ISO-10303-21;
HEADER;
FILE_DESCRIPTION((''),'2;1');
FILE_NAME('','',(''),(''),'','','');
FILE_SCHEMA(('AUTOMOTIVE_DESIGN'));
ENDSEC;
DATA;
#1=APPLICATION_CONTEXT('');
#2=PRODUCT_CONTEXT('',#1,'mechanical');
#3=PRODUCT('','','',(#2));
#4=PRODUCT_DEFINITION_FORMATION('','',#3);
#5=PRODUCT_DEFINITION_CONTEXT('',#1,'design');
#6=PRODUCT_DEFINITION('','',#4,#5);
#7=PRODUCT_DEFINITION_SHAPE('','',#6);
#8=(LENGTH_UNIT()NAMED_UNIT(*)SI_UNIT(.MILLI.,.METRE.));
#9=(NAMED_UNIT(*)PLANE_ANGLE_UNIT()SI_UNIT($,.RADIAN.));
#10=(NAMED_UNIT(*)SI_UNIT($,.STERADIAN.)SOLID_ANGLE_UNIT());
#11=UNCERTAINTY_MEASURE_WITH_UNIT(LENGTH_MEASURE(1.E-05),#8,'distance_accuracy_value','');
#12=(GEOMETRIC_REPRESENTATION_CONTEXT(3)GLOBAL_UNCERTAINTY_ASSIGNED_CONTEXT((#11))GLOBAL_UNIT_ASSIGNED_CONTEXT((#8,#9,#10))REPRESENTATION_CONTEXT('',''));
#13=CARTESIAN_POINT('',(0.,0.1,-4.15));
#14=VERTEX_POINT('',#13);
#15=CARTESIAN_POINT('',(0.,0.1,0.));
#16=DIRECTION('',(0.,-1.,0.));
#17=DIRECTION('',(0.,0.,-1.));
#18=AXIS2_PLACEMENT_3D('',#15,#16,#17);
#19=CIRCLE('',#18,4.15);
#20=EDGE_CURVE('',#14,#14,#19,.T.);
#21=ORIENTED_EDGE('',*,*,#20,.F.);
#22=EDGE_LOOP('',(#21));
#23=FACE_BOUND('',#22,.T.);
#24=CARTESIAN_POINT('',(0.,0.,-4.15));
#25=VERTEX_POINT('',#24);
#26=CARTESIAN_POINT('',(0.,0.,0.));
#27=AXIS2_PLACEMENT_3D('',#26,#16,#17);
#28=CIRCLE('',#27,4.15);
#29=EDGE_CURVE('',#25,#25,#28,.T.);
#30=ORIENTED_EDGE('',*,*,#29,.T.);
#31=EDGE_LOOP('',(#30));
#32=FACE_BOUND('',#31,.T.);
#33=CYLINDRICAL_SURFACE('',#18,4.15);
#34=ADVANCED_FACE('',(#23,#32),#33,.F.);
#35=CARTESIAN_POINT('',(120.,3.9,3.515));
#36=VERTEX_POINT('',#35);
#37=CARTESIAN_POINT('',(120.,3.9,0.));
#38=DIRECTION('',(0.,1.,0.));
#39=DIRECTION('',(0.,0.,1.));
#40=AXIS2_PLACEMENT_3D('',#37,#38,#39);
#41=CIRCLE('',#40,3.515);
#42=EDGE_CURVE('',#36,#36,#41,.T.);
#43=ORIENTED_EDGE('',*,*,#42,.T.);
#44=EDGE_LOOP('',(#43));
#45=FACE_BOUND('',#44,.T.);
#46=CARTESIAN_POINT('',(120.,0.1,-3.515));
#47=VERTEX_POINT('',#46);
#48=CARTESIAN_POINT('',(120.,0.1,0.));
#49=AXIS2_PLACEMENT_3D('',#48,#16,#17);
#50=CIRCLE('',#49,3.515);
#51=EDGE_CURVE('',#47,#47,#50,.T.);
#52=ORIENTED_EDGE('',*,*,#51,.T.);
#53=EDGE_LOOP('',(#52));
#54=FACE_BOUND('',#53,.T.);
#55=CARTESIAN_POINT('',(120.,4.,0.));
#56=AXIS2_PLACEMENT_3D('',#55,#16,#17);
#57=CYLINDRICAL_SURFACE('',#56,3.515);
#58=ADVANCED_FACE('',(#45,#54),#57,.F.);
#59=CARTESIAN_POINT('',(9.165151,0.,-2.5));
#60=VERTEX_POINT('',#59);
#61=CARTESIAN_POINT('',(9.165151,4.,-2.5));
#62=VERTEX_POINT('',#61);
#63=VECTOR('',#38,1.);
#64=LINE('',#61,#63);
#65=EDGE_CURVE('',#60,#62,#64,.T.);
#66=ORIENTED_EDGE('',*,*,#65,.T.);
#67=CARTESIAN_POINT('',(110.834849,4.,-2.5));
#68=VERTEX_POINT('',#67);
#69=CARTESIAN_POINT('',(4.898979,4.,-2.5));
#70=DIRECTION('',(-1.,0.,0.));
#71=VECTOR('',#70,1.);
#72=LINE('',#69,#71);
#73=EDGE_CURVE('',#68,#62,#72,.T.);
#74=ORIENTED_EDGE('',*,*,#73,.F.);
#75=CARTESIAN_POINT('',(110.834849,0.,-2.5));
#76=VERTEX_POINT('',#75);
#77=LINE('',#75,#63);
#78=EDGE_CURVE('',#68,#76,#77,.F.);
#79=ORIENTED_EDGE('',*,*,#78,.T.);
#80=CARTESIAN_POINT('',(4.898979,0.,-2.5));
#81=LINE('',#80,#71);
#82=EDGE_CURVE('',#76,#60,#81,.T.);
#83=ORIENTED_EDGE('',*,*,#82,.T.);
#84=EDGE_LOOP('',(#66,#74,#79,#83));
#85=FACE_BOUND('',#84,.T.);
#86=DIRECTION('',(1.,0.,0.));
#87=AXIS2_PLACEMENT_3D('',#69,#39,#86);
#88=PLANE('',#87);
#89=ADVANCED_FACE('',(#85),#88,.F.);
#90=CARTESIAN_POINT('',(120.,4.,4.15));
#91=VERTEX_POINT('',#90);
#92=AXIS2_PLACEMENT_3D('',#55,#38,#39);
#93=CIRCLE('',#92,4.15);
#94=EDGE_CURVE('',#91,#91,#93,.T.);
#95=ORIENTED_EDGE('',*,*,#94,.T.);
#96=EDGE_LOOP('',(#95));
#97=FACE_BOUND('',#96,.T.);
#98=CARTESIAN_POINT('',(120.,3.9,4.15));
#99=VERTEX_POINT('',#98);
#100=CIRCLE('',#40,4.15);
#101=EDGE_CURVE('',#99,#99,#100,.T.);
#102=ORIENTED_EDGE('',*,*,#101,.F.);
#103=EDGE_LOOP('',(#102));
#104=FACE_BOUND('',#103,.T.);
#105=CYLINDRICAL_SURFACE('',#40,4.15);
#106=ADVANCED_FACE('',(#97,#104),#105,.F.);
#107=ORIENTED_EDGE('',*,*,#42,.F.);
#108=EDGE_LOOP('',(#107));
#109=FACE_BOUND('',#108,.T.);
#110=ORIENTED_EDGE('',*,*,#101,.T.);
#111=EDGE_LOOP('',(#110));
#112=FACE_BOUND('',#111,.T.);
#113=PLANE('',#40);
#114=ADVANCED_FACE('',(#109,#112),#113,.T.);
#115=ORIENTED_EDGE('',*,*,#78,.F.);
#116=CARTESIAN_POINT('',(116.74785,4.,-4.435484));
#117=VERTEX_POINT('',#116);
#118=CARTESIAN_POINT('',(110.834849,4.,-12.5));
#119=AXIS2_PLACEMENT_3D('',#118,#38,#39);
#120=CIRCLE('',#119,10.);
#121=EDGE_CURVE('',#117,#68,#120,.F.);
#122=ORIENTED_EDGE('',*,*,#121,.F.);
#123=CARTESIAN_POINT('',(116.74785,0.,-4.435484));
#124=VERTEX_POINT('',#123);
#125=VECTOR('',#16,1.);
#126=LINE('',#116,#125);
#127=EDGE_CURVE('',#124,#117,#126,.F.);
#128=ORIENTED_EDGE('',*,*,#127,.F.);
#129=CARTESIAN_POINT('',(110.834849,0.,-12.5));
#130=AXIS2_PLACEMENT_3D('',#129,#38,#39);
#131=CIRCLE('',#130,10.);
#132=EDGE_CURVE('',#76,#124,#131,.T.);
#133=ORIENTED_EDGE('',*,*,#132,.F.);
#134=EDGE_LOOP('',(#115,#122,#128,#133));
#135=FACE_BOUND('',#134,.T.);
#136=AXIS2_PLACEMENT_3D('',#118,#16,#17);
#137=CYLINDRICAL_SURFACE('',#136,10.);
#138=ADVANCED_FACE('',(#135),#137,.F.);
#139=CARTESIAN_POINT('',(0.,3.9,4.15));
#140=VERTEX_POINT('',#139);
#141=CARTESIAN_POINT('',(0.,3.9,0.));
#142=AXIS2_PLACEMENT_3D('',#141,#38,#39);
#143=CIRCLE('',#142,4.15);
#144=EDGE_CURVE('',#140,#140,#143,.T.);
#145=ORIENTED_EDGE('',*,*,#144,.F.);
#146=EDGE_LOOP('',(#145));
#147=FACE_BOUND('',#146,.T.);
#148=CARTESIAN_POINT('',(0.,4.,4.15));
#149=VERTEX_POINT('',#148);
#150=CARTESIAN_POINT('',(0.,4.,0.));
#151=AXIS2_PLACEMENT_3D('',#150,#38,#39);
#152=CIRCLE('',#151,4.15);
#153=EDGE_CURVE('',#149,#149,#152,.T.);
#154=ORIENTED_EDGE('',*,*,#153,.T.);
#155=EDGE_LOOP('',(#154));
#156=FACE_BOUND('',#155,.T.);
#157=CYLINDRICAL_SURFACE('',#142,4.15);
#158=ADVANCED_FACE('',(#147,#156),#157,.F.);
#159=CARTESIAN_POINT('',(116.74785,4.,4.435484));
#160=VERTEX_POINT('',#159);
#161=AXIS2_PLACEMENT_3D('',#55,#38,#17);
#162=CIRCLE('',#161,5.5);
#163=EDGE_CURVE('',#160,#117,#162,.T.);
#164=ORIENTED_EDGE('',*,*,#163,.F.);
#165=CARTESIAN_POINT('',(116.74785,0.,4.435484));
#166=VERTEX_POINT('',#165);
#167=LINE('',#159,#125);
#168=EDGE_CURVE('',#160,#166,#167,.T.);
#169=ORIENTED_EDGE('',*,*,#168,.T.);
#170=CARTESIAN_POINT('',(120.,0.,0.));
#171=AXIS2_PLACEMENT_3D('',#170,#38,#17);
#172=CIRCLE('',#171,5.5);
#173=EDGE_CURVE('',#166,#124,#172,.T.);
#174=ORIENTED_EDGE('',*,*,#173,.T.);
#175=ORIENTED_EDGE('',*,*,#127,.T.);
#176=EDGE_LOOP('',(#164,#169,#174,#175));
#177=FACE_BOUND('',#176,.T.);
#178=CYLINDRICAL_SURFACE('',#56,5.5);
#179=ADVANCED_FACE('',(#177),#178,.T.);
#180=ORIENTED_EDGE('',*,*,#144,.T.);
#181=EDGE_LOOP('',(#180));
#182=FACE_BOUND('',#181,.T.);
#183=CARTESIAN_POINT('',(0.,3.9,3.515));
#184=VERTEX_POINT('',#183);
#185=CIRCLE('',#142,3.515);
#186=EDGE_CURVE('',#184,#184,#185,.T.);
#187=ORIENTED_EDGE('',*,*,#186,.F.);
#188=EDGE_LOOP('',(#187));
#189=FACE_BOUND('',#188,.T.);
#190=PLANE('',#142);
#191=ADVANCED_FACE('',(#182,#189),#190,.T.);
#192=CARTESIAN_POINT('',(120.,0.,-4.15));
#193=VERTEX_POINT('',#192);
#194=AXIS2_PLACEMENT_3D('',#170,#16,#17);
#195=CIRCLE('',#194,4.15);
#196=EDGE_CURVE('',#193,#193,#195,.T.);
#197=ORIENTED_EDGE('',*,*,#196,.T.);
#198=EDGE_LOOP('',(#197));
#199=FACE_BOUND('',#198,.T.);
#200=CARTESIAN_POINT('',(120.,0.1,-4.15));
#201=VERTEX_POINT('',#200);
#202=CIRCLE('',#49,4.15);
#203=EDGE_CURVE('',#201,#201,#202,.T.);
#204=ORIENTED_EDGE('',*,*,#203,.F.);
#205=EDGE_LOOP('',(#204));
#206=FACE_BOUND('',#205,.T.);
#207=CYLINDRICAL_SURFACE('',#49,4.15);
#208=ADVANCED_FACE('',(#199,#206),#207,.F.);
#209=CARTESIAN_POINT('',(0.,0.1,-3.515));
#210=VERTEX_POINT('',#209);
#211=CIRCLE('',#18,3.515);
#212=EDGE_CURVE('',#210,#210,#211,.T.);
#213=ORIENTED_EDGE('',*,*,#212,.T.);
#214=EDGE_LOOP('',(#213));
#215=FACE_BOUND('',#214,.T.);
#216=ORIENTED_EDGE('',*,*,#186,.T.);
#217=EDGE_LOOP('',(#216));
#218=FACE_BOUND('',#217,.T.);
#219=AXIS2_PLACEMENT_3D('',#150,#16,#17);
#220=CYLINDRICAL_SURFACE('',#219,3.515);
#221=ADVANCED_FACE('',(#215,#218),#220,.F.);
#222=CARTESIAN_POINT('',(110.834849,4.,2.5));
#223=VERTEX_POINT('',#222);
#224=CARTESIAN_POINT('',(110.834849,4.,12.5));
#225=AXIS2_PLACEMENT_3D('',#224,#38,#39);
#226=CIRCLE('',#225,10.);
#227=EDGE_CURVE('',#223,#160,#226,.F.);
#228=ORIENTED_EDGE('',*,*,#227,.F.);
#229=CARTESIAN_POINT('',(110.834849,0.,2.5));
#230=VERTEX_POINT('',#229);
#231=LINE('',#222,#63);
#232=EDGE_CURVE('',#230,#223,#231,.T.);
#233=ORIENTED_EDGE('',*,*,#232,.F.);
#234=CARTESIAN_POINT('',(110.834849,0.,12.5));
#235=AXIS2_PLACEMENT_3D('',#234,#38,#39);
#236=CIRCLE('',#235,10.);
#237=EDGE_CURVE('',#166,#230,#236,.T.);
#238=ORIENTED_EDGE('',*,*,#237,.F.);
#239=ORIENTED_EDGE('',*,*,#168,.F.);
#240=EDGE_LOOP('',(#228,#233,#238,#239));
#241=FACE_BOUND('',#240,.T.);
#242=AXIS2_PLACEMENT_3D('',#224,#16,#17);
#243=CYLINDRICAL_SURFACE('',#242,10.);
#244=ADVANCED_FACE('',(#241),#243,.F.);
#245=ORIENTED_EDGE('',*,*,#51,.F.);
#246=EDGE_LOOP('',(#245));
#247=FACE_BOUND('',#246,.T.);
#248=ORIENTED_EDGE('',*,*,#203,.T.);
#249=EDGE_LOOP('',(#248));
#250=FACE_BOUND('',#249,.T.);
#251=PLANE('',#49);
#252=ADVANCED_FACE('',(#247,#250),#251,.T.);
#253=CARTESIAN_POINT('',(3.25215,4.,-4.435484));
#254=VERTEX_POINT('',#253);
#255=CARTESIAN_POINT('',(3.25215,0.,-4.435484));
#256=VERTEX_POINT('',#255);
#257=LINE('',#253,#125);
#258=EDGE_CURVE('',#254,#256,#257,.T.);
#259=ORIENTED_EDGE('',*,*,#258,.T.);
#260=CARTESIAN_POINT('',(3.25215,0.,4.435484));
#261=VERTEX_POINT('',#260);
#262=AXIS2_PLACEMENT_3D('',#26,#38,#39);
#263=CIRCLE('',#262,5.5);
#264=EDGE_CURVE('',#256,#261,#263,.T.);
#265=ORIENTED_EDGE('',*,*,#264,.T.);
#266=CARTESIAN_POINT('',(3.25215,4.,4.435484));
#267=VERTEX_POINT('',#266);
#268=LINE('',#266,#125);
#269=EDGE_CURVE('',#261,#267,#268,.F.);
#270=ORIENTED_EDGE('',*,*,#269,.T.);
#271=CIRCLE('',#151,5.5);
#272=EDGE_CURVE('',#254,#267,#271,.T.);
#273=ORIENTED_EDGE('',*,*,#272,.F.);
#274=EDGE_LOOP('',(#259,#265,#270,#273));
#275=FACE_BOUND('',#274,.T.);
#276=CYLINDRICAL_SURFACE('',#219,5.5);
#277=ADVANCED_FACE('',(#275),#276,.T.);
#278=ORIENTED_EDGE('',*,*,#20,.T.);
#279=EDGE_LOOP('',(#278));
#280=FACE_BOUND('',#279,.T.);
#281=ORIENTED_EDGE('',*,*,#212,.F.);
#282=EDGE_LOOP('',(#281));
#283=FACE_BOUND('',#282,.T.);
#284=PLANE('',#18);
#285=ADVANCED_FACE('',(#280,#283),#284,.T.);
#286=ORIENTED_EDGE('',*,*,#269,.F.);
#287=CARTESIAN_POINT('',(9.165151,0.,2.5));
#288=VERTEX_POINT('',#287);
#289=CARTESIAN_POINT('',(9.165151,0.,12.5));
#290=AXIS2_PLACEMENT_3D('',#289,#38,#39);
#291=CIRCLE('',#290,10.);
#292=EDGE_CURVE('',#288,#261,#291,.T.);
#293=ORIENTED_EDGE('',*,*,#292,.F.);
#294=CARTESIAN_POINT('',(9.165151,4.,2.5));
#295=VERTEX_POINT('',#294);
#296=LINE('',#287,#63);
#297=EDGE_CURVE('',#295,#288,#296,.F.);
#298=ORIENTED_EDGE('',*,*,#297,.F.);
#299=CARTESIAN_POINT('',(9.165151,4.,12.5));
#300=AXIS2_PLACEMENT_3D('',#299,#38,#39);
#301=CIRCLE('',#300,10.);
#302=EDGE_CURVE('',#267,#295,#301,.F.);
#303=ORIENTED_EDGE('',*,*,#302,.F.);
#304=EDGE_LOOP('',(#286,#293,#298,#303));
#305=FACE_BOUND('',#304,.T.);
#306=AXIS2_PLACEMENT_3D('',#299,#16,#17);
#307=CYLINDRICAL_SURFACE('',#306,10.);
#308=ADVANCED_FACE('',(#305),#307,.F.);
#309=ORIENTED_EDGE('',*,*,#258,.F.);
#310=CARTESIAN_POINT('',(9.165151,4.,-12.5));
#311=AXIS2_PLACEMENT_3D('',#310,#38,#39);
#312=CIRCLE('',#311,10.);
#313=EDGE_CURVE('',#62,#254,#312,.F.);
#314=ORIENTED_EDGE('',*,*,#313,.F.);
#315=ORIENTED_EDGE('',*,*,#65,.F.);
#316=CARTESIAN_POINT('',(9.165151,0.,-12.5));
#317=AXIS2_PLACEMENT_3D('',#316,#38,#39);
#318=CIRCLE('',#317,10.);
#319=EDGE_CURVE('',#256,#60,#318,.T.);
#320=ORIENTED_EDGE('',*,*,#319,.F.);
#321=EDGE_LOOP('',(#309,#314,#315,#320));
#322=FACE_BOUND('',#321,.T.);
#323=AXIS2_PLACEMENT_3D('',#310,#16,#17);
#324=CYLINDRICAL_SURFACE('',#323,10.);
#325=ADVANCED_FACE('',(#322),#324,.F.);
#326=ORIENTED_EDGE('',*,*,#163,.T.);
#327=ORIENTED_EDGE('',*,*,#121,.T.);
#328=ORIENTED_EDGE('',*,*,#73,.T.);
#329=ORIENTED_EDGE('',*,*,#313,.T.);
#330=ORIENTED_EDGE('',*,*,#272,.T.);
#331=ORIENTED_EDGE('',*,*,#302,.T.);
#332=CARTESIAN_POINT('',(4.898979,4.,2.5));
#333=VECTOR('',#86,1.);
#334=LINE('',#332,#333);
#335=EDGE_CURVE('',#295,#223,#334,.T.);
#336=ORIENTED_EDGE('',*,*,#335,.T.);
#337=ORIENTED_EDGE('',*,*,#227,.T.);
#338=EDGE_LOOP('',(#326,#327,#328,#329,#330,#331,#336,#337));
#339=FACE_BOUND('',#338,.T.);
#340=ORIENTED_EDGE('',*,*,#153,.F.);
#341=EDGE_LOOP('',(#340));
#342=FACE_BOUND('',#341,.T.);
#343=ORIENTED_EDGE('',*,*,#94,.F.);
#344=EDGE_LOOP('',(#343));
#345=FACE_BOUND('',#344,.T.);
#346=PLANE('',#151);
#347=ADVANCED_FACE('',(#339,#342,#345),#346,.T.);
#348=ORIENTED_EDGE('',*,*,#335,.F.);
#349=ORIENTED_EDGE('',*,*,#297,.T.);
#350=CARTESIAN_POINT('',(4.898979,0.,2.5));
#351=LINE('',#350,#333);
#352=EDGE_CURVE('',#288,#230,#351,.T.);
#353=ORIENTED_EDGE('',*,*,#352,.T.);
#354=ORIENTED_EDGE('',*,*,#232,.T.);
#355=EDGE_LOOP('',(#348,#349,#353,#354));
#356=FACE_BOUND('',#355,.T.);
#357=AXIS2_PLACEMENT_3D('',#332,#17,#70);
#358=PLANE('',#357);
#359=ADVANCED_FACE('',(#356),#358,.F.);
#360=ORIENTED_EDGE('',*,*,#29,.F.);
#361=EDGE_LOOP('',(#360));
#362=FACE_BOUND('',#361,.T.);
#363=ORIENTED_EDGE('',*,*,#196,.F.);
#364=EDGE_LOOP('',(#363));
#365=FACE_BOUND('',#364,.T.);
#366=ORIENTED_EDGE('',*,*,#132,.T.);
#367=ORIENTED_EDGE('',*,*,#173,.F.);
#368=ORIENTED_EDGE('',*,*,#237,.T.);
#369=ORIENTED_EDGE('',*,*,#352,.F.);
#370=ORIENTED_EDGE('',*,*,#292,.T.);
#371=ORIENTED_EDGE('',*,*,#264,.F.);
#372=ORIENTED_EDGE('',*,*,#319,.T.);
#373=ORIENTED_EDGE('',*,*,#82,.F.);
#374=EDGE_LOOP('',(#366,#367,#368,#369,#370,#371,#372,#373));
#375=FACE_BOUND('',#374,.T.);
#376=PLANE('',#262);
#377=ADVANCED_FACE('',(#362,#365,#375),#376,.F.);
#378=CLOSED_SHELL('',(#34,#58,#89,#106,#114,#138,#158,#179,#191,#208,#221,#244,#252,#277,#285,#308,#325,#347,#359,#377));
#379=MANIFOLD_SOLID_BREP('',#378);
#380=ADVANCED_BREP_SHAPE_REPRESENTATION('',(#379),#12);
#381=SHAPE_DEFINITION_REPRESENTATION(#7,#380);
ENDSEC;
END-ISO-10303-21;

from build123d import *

# Parameters (mm, degrees)
SKETCH_1_R          = 3.515
EXTRUDE_1_DEPTH     = 4
FILLET_1_R          = 10
SKETCH_3_R          = 4.15
CUT_EXTRUDE_2_DEPTH = 0.1
CUT_EXTRUDE_START   = -0.1
SKETCH_4_R          = 4.15
CUT_EXTRUDE_3_DEPTH = 0.1


with BuildPart() as part:
    # 草图1 → 凸台-拉伸1 (new body)
    with BuildSketch(Plane(origin=(0, 0, 0), x_dir=(1, 0, 0), z_dir=(0, 1, 0))):
        with BuildLine():
            Line((4.898979486, 2.5), (115.101020514, 2.5))
            ThreePointArc((115.101020514, 2.5), (125.5, 0), (115.101020514, -2.5))
            Line((115.101020514, -2.5), (4.898979486, -2.5))
            ThreePointArc((4.898979486, -2.5), (-5.5, 0), (4.898979486, 2.5))
        make_face()
        with Locations(Location((0, 0, 0), (0, 0, 270))):
            Circle(SKETCH_1_R, mode=Mode.SUBTRACT)
        with Locations(Location((120, 0, 0), (0, 0, 270))):
            Circle(SKETCH_1_R, mode=Mode.SUBTRACT)
    extrude(amount=EXTRUDE_1_DEPTH)

    # 圆角1
    fillet_1_edges = [part.edges().sort_by_distance(p)[0] for p in [
        (4.898979486, 2, -2.5),
        (115.101020514, 2, -2.5),
        (115.101020514, 2, 2.5),
        (4.898979486, 2, 2.5),
    ]]
    fillet(fillet_1_edges, radius=FILLET_1_R)

    # 草图3 → 切除-拉伸2 (cut)
    with BuildSketch(Plane(origin=(0, 4, 0), x_dir=(1, 0, 0), z_dir=(0, 1, 0))):
        with Locations(Location((0, 0, 0), (0, 0, 270))):
            Circle(SKETCH_3_R)
        with Locations(Location((120, 0, 0), (0, 0, 270))):
            Circle(SKETCH_3_R)
    extrude(amount=-CUT_EXTRUDE_2_DEPTH, mode=Mode.SUBTRACT)

    # 草图4 → 切除-拉伸3 (cut)
    with BuildSketch(Plane.XZ.offset(CUT_EXTRUDE_START)):
        with Locations(Location((0, 0, 0), (0, 0, 90))):
            Circle(SKETCH_4_R)
        with Locations(Location((120, 0, 0), (0, 0, 90))):
            Circle(SKETCH_4_R)
    extrude(amount=CUT_EXTRUDE_3_DEPTH, mode=Mode.SUBTRACT)


solid = part.part
